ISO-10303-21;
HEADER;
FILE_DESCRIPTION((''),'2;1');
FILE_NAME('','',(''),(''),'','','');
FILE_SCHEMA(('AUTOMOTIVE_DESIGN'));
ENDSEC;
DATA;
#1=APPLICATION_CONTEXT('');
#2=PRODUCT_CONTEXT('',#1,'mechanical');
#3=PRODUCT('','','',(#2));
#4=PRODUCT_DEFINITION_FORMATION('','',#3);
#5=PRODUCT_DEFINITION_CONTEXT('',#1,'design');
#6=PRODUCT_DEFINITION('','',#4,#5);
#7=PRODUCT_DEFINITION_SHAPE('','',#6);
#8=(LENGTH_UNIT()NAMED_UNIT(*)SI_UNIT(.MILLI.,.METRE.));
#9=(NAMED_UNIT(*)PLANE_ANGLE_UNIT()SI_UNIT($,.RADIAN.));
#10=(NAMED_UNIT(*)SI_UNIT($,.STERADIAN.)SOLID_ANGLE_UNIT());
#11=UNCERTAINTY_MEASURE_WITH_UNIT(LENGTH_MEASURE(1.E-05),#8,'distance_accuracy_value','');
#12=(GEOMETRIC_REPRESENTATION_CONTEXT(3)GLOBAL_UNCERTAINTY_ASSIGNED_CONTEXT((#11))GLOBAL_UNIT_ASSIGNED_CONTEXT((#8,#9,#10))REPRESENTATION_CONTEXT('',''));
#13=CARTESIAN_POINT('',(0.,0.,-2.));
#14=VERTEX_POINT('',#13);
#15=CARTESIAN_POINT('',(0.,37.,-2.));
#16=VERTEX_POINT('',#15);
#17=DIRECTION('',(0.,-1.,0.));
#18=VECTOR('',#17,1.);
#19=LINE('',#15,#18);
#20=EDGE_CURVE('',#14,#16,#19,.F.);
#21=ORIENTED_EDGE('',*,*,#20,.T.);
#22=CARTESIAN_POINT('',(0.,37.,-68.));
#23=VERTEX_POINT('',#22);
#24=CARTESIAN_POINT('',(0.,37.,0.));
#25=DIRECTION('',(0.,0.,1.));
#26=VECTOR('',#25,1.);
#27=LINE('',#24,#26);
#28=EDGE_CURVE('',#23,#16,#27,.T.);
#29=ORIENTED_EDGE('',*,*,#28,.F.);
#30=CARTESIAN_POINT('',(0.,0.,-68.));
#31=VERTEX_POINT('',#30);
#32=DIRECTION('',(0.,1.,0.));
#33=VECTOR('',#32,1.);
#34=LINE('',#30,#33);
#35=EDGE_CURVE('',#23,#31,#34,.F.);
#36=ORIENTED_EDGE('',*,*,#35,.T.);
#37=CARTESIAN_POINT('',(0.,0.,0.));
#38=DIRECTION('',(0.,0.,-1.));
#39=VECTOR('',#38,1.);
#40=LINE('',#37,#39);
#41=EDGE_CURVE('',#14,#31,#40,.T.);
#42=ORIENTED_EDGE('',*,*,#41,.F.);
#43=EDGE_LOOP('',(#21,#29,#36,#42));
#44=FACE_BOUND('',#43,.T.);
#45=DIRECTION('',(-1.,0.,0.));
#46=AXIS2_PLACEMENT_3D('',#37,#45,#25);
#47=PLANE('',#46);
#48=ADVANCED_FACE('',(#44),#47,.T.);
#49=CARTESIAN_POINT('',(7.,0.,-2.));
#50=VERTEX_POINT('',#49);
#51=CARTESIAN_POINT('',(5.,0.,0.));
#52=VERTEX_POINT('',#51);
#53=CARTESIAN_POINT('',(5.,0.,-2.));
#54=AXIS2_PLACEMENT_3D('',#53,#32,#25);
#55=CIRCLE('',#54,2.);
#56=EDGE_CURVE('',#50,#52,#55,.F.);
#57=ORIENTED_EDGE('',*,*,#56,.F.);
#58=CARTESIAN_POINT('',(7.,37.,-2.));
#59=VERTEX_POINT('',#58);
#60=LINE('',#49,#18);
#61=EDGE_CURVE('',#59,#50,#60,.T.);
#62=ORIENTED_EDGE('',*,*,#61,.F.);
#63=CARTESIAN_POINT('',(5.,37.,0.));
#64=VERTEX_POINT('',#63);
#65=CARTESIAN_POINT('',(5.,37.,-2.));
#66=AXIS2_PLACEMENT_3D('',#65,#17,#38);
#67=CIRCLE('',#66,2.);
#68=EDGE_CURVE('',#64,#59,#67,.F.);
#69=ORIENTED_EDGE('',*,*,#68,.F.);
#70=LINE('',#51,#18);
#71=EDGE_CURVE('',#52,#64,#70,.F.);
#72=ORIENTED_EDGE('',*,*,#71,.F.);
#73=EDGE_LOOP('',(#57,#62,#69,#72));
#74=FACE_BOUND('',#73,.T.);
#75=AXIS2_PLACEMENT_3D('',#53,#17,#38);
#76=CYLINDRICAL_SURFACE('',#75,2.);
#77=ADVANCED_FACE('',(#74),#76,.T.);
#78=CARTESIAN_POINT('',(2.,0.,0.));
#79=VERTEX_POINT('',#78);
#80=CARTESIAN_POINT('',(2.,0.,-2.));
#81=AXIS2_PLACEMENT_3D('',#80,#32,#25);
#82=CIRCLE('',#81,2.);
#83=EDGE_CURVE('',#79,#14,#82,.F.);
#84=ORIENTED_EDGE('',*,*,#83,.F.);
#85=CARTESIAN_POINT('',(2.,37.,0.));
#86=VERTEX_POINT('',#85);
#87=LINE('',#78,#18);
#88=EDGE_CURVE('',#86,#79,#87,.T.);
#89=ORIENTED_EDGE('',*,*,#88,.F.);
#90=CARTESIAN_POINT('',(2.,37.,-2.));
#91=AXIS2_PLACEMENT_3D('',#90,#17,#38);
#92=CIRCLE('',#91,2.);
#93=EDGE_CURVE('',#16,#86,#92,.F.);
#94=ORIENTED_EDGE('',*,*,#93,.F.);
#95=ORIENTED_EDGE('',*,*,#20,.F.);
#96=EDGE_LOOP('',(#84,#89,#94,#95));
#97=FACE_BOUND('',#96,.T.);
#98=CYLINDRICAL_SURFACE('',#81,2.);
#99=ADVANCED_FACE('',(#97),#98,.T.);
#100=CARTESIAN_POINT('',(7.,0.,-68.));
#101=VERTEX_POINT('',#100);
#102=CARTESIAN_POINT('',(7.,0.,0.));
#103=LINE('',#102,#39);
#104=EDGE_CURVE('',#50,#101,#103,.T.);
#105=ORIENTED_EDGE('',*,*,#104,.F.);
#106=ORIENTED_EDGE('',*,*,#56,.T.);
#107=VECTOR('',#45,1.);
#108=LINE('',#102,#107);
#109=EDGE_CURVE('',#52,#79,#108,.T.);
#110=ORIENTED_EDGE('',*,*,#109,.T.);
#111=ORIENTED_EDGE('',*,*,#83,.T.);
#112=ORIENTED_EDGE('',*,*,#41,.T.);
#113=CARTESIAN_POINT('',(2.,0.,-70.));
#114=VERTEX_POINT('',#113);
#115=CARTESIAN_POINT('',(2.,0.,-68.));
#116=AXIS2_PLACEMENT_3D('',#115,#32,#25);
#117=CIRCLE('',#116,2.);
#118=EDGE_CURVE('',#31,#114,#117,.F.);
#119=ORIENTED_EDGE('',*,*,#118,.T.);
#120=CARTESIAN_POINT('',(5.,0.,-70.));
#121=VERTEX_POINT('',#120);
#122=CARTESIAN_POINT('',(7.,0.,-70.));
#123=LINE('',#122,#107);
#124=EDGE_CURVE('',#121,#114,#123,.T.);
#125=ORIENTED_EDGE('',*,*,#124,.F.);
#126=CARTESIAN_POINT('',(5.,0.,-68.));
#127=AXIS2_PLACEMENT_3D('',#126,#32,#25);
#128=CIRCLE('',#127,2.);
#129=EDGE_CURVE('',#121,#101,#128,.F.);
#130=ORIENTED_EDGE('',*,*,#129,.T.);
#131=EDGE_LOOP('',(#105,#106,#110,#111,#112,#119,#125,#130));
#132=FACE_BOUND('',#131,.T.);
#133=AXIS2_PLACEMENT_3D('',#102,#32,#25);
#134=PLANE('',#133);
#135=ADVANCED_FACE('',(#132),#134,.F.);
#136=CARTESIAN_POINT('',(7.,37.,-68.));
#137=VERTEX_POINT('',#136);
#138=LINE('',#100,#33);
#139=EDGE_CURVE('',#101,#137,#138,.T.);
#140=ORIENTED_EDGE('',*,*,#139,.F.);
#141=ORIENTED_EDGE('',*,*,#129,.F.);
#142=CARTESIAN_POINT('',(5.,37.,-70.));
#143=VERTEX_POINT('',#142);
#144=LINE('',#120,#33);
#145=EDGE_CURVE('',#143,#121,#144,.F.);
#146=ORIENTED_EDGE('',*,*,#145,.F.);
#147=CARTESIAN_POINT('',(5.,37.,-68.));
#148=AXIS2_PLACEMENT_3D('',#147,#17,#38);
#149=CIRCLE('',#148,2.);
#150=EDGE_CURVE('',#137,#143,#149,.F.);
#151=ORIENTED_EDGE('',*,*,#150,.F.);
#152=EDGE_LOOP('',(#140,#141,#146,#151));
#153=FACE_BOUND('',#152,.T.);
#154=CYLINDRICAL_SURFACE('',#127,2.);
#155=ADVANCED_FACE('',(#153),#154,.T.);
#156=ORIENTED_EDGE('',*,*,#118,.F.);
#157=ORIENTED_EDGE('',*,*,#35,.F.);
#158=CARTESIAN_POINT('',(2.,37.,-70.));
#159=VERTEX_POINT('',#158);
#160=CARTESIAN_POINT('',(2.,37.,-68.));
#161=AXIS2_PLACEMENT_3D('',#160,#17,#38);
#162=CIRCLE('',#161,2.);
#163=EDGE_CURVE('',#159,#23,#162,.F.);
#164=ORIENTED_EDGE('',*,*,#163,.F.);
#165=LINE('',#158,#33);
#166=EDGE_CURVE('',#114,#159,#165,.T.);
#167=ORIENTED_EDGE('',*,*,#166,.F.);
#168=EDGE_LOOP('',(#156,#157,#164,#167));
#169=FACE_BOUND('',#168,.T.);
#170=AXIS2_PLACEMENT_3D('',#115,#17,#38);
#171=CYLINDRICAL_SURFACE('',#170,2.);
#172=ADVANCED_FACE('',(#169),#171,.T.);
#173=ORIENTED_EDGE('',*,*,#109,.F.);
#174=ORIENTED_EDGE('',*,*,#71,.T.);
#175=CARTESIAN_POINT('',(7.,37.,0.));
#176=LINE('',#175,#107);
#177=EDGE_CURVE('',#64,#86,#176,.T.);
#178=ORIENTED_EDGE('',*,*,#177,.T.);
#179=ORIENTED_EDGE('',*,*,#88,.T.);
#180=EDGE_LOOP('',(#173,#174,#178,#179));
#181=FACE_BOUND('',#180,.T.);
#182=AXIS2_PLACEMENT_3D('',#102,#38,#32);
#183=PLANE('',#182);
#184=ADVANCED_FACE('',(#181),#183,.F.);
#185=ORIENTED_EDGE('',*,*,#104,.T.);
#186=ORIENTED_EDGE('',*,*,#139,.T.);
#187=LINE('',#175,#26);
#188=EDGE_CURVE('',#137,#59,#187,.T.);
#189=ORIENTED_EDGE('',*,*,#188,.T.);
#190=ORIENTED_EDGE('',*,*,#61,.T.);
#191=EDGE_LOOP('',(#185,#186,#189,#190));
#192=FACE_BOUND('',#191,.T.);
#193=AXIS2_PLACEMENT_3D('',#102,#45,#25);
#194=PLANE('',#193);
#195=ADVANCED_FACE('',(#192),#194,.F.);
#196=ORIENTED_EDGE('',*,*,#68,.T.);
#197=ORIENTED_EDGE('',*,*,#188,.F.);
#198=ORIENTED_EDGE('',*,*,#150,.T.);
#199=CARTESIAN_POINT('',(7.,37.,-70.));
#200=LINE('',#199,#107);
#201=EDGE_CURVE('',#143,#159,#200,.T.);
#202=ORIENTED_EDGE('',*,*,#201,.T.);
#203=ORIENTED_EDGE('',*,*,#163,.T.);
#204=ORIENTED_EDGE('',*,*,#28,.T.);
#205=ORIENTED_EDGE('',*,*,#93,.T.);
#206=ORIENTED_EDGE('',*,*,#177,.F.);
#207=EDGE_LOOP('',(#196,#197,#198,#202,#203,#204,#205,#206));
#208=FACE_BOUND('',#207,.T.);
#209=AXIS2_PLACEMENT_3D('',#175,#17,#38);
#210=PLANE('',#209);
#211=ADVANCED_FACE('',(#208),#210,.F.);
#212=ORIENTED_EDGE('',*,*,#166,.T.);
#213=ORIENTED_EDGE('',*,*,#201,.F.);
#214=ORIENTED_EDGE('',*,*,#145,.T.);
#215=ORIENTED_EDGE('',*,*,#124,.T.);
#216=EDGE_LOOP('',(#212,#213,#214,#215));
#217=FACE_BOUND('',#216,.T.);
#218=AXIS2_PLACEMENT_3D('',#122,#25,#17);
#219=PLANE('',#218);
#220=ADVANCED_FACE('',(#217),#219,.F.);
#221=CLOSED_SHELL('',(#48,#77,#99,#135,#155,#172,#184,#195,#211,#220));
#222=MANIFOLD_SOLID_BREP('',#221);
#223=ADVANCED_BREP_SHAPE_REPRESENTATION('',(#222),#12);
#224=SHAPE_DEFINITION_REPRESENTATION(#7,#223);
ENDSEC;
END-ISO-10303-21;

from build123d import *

# Parameters (mm, degrees)
SKETCH1_W           = 70
SKETCH1_H           = 37
BOSS_EXTRUDE1_DEPTH = 7
FILLET1_R           = 2


with BuildPart() as part:
    # Sketch1 → Boss-Extrude1 (new body)
    with BuildSketch(Plane(origin=(0, 0, 0), x_dir=(0, 0, -1), z_dir=(1, 0, 0))):
        with Locations((35, 18.5)):
            Rectangle(SKETCH1_W, SKETCH1_H)
    extrude(amount=BOSS_EXTRUDE1_DEPTH)

    # Fillet1
    fillet1_edges = [part.edges().sort_by_distance(p)[0] for p in [
        (7, 18.5, -70),
        (7, 18.5, 0),
        (0, 18.5, -70),
        (0, 18.5, 0),
    ]]
    fillet(fillet1_edges, radius=FILLET1_R)


solid = part.part
